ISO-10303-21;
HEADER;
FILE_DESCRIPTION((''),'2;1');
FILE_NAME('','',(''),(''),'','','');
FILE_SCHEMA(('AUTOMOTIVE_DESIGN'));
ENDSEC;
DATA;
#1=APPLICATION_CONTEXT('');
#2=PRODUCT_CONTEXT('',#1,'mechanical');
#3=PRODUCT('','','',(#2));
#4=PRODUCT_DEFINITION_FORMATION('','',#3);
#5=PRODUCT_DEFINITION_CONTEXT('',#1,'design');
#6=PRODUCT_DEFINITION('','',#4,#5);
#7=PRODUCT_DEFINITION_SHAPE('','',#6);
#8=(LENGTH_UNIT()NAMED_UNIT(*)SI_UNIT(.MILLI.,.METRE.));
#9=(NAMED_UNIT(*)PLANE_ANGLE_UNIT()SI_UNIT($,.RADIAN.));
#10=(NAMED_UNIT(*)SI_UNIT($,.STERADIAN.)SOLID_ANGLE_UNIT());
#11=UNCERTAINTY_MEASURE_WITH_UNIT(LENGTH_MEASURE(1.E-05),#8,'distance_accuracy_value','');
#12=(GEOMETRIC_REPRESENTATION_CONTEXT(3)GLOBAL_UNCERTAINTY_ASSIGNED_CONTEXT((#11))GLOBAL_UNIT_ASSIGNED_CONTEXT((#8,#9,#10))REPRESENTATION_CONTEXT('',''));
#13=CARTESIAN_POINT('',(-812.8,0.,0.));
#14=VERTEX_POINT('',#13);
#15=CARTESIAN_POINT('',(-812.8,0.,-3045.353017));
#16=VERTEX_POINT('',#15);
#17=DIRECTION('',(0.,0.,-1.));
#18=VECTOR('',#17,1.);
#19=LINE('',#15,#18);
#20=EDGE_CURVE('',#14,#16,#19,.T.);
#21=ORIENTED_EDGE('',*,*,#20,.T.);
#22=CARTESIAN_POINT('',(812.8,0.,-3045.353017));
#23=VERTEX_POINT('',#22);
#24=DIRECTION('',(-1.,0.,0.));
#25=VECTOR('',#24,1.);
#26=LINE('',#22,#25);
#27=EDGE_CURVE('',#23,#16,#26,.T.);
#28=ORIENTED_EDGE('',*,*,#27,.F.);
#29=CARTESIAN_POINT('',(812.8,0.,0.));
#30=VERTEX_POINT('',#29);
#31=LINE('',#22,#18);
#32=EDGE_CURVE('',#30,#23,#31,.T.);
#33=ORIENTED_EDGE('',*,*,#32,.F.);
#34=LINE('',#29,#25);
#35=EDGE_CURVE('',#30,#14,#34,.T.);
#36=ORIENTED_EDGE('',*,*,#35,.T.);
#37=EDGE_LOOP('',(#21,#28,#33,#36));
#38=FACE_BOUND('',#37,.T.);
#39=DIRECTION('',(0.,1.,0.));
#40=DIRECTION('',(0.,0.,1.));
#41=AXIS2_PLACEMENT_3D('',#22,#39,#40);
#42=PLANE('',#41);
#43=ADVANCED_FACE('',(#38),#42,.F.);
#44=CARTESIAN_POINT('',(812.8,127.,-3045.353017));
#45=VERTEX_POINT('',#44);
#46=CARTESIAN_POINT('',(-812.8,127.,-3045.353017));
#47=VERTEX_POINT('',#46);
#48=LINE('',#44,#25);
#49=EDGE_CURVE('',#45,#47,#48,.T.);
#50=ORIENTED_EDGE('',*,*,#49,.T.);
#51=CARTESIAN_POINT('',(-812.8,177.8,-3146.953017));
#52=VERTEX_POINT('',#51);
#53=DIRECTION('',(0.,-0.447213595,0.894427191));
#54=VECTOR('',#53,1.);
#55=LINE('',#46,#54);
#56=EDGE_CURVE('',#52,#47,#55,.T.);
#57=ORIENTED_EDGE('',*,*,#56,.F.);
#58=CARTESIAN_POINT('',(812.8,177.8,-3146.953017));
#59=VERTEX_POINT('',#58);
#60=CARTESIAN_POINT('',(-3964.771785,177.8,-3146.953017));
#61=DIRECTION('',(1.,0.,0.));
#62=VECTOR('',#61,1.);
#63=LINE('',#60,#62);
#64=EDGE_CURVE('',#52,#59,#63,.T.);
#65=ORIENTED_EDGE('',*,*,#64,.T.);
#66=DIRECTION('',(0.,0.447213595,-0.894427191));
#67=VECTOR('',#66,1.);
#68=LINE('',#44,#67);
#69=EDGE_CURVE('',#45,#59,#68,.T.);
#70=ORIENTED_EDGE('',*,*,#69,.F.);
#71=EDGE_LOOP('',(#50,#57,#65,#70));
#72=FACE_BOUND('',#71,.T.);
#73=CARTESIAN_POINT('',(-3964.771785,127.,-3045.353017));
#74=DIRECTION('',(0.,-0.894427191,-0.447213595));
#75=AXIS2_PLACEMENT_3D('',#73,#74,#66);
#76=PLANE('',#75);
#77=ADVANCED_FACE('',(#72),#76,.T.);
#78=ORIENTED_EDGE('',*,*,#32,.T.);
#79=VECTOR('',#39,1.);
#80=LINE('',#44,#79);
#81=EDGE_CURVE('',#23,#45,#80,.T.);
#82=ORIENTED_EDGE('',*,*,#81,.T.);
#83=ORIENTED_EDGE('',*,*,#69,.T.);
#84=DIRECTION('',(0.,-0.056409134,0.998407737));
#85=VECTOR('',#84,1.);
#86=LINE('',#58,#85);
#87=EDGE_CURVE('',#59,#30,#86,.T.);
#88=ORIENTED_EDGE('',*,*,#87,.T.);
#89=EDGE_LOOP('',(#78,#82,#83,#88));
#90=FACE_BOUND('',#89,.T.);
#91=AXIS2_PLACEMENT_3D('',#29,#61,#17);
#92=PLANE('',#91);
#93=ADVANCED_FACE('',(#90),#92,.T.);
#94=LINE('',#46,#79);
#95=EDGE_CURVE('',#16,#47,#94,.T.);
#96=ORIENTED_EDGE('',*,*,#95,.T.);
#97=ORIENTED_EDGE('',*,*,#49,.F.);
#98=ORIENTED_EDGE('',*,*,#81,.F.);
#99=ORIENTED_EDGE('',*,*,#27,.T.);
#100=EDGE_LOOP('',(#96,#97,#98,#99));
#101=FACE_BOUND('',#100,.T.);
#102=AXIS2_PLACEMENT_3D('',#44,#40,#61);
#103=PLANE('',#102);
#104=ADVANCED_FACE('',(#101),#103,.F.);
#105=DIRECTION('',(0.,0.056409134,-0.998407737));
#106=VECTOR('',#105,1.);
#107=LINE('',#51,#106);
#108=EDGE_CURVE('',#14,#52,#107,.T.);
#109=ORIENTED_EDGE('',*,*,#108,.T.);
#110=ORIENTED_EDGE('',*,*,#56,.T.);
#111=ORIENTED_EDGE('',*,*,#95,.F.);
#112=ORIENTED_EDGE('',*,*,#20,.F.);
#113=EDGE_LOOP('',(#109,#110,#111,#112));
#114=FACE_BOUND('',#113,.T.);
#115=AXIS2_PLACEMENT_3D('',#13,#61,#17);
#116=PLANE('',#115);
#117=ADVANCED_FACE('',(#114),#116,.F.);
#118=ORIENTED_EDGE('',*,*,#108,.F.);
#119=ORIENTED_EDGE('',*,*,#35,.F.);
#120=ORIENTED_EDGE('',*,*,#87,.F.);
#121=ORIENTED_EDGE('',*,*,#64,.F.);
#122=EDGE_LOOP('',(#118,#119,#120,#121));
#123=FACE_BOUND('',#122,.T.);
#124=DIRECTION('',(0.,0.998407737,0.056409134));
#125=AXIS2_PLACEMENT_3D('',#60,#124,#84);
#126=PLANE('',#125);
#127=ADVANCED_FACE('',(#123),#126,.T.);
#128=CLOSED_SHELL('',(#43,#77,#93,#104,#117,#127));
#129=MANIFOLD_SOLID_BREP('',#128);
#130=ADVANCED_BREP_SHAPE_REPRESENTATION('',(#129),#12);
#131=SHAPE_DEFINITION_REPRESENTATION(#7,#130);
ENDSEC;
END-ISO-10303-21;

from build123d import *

# Parameters (mm, degrees)
BOSS_EXTRUDE1_DEPTH = 812.8
BOSS_EXTRUDE2_DEPTH = 1625.6


with BuildPart() as part:
    # Sketch1 → Boss-Extrude1 (new, symmetric)
    with BuildSketch(Plane(origin=(0, 0, 0), x_dir=(0, 0, -1), z_dir=(1, 0, 0))):
        Polygon((0, 0), (3045.353017304, 127), (3045.353017304, 0), align=None)
    extrude(amount=BOSS_EXTRUDE1_DEPTH, both=True)

    # Sketch2 → Boss-Extrude2 (add)
    with BuildSketch(Plane(origin=(812.8, 0, 0), x_dir=(0, 0, -1), z_dir=(1, 0, 0))):
        Polygon((3045.353017304, 127), (3146.953017304, 177.8), (0, 0), align=None)
    extrude(amount=-BOSS_EXTRUDE2_DEPTH)


solid = part.part
